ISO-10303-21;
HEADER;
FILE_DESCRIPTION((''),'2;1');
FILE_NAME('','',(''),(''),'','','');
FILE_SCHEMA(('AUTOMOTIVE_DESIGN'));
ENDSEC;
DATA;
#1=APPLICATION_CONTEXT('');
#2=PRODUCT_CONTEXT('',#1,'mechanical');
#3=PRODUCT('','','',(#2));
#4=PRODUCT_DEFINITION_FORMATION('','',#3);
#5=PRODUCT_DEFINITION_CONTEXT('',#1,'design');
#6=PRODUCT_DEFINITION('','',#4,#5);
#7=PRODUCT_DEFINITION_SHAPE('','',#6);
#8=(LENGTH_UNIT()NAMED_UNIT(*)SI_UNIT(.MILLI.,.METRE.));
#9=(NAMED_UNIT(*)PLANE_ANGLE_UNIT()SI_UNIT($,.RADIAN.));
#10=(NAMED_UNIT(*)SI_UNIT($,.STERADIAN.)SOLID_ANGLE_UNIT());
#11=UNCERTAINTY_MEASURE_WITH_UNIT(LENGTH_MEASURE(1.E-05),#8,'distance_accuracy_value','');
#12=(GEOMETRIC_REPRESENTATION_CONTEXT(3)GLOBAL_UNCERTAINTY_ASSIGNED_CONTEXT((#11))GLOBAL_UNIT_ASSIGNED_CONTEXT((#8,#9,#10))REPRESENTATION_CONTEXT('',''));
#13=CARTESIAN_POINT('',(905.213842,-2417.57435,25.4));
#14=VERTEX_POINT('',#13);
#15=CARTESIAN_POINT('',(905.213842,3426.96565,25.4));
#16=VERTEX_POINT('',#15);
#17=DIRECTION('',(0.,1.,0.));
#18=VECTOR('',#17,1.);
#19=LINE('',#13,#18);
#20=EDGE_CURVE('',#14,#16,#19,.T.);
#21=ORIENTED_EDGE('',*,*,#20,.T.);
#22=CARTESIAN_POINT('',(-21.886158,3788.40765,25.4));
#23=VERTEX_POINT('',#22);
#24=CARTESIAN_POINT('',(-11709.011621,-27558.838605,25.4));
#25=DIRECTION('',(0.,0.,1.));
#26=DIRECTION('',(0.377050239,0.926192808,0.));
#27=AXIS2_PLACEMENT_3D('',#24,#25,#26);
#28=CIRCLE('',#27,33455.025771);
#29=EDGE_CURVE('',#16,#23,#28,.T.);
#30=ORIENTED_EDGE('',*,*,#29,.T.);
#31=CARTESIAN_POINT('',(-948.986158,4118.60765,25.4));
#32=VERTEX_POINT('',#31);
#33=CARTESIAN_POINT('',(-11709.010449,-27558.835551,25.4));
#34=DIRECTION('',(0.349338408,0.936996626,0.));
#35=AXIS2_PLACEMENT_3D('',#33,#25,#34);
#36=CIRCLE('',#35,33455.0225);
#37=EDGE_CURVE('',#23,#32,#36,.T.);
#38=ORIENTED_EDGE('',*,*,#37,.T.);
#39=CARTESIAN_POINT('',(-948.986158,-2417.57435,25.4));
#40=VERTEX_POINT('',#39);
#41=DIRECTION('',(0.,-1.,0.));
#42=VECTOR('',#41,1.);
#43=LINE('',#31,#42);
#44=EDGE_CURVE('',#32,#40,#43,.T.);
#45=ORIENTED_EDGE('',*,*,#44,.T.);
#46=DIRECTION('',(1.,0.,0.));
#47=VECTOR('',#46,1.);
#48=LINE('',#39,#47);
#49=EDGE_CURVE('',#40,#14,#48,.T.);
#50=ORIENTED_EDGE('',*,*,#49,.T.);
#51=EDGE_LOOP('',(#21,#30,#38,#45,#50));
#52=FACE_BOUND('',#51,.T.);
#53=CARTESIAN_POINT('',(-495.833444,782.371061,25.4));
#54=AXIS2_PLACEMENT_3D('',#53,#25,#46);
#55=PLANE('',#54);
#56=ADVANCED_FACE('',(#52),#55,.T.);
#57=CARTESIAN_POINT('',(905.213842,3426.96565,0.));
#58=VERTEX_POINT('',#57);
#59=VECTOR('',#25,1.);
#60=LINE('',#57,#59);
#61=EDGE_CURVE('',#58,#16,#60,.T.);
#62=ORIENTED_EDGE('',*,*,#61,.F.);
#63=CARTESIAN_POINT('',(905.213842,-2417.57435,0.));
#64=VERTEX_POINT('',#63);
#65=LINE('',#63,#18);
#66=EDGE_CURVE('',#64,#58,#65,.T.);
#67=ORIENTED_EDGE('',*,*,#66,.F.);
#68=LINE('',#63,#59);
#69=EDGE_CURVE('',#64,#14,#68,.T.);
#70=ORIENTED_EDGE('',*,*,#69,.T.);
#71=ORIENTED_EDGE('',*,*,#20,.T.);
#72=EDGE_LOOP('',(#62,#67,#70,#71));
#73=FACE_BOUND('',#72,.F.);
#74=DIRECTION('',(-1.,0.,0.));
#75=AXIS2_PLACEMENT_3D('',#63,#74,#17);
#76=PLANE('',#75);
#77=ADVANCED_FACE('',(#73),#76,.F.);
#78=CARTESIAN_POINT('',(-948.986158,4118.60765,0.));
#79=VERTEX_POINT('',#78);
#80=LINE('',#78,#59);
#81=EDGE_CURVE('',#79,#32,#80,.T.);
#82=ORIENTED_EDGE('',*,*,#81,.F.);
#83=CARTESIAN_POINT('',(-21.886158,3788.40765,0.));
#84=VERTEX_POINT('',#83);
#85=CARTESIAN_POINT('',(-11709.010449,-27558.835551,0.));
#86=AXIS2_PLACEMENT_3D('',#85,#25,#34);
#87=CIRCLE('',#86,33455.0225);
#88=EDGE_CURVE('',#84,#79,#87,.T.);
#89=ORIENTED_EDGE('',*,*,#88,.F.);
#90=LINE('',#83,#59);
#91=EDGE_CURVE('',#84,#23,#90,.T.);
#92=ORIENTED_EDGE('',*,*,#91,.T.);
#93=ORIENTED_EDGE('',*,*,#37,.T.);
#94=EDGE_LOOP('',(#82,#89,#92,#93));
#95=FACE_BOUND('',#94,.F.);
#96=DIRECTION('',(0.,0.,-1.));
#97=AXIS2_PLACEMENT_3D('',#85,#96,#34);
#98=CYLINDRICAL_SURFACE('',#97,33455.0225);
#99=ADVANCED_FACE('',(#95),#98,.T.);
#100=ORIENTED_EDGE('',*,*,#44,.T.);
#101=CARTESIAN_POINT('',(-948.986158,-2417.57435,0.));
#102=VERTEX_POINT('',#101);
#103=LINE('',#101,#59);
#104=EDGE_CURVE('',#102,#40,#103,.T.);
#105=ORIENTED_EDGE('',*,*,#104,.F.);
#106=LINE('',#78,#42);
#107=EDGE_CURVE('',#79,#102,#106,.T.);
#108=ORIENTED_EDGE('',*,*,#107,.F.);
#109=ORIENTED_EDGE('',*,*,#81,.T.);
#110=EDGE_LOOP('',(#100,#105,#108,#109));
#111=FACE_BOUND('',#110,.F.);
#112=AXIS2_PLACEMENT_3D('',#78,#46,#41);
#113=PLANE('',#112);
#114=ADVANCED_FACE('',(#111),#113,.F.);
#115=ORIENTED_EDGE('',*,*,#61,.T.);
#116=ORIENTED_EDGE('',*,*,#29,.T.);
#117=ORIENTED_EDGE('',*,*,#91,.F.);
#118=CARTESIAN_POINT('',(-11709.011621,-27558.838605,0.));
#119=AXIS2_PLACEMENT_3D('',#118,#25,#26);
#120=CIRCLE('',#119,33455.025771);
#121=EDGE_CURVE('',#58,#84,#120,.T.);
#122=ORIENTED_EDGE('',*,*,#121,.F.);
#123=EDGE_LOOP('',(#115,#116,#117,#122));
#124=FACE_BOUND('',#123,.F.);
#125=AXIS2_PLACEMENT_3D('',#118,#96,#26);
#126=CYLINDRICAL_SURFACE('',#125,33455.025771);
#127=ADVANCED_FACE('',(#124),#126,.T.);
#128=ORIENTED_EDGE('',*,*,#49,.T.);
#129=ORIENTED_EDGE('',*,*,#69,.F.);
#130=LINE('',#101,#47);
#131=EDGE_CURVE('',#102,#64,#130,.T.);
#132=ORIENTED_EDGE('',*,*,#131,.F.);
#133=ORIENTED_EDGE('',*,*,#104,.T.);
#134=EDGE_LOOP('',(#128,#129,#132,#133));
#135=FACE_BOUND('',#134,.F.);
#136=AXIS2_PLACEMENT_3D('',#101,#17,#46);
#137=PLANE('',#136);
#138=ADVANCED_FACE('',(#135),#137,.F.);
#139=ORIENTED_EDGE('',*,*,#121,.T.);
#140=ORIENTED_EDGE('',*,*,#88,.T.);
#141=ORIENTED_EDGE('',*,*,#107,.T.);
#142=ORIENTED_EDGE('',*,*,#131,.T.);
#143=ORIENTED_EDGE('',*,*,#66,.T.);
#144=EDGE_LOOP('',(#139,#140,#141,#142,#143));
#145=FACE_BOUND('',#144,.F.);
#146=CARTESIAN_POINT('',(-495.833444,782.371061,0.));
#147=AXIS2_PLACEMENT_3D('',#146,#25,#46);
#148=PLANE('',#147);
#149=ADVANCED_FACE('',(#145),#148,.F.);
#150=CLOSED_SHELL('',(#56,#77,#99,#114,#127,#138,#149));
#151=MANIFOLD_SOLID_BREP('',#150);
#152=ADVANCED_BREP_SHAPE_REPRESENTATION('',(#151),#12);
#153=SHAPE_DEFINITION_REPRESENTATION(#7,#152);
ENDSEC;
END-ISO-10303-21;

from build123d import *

# Parameters (mm, degrees)
F1_DEPTH = 25.4


with BuildPart() as f1:
    # F0 (on Top) → F1 (new body)
    with BuildSketch(Plane.XY):
        with BuildLine():
            Line((-948.986158, 4118.60765), (-948.986158, -2417.57435))
            Line((-948.986158, -2417.57435), (-21.886158, -2417.57435))
            Line((-21.886158, -2417.57435), (-21.886158, 3788.40765))
            ThreePointArc((-21.886158, 3788.40765), (-484.221904, 3956.916901), (-948.986158, 4118.60765))
        make_face()
        with BuildLine():
            Line((-21.886158, 3788.40765), (-21.886158, -2417.57435))
            Line((-21.886158, -2417.57435), (905.213842, -2417.57435))
            Line((905.213842, -2417.57435), (905.213842, 3426.96565))
            ThreePointArc((905.213842, 3426.96565), (443.00773, 3611.133725), (-21.886158, 3788.40765))
        make_face()
    extrude(amount=F1_DEPTH)


solid = f1.part
